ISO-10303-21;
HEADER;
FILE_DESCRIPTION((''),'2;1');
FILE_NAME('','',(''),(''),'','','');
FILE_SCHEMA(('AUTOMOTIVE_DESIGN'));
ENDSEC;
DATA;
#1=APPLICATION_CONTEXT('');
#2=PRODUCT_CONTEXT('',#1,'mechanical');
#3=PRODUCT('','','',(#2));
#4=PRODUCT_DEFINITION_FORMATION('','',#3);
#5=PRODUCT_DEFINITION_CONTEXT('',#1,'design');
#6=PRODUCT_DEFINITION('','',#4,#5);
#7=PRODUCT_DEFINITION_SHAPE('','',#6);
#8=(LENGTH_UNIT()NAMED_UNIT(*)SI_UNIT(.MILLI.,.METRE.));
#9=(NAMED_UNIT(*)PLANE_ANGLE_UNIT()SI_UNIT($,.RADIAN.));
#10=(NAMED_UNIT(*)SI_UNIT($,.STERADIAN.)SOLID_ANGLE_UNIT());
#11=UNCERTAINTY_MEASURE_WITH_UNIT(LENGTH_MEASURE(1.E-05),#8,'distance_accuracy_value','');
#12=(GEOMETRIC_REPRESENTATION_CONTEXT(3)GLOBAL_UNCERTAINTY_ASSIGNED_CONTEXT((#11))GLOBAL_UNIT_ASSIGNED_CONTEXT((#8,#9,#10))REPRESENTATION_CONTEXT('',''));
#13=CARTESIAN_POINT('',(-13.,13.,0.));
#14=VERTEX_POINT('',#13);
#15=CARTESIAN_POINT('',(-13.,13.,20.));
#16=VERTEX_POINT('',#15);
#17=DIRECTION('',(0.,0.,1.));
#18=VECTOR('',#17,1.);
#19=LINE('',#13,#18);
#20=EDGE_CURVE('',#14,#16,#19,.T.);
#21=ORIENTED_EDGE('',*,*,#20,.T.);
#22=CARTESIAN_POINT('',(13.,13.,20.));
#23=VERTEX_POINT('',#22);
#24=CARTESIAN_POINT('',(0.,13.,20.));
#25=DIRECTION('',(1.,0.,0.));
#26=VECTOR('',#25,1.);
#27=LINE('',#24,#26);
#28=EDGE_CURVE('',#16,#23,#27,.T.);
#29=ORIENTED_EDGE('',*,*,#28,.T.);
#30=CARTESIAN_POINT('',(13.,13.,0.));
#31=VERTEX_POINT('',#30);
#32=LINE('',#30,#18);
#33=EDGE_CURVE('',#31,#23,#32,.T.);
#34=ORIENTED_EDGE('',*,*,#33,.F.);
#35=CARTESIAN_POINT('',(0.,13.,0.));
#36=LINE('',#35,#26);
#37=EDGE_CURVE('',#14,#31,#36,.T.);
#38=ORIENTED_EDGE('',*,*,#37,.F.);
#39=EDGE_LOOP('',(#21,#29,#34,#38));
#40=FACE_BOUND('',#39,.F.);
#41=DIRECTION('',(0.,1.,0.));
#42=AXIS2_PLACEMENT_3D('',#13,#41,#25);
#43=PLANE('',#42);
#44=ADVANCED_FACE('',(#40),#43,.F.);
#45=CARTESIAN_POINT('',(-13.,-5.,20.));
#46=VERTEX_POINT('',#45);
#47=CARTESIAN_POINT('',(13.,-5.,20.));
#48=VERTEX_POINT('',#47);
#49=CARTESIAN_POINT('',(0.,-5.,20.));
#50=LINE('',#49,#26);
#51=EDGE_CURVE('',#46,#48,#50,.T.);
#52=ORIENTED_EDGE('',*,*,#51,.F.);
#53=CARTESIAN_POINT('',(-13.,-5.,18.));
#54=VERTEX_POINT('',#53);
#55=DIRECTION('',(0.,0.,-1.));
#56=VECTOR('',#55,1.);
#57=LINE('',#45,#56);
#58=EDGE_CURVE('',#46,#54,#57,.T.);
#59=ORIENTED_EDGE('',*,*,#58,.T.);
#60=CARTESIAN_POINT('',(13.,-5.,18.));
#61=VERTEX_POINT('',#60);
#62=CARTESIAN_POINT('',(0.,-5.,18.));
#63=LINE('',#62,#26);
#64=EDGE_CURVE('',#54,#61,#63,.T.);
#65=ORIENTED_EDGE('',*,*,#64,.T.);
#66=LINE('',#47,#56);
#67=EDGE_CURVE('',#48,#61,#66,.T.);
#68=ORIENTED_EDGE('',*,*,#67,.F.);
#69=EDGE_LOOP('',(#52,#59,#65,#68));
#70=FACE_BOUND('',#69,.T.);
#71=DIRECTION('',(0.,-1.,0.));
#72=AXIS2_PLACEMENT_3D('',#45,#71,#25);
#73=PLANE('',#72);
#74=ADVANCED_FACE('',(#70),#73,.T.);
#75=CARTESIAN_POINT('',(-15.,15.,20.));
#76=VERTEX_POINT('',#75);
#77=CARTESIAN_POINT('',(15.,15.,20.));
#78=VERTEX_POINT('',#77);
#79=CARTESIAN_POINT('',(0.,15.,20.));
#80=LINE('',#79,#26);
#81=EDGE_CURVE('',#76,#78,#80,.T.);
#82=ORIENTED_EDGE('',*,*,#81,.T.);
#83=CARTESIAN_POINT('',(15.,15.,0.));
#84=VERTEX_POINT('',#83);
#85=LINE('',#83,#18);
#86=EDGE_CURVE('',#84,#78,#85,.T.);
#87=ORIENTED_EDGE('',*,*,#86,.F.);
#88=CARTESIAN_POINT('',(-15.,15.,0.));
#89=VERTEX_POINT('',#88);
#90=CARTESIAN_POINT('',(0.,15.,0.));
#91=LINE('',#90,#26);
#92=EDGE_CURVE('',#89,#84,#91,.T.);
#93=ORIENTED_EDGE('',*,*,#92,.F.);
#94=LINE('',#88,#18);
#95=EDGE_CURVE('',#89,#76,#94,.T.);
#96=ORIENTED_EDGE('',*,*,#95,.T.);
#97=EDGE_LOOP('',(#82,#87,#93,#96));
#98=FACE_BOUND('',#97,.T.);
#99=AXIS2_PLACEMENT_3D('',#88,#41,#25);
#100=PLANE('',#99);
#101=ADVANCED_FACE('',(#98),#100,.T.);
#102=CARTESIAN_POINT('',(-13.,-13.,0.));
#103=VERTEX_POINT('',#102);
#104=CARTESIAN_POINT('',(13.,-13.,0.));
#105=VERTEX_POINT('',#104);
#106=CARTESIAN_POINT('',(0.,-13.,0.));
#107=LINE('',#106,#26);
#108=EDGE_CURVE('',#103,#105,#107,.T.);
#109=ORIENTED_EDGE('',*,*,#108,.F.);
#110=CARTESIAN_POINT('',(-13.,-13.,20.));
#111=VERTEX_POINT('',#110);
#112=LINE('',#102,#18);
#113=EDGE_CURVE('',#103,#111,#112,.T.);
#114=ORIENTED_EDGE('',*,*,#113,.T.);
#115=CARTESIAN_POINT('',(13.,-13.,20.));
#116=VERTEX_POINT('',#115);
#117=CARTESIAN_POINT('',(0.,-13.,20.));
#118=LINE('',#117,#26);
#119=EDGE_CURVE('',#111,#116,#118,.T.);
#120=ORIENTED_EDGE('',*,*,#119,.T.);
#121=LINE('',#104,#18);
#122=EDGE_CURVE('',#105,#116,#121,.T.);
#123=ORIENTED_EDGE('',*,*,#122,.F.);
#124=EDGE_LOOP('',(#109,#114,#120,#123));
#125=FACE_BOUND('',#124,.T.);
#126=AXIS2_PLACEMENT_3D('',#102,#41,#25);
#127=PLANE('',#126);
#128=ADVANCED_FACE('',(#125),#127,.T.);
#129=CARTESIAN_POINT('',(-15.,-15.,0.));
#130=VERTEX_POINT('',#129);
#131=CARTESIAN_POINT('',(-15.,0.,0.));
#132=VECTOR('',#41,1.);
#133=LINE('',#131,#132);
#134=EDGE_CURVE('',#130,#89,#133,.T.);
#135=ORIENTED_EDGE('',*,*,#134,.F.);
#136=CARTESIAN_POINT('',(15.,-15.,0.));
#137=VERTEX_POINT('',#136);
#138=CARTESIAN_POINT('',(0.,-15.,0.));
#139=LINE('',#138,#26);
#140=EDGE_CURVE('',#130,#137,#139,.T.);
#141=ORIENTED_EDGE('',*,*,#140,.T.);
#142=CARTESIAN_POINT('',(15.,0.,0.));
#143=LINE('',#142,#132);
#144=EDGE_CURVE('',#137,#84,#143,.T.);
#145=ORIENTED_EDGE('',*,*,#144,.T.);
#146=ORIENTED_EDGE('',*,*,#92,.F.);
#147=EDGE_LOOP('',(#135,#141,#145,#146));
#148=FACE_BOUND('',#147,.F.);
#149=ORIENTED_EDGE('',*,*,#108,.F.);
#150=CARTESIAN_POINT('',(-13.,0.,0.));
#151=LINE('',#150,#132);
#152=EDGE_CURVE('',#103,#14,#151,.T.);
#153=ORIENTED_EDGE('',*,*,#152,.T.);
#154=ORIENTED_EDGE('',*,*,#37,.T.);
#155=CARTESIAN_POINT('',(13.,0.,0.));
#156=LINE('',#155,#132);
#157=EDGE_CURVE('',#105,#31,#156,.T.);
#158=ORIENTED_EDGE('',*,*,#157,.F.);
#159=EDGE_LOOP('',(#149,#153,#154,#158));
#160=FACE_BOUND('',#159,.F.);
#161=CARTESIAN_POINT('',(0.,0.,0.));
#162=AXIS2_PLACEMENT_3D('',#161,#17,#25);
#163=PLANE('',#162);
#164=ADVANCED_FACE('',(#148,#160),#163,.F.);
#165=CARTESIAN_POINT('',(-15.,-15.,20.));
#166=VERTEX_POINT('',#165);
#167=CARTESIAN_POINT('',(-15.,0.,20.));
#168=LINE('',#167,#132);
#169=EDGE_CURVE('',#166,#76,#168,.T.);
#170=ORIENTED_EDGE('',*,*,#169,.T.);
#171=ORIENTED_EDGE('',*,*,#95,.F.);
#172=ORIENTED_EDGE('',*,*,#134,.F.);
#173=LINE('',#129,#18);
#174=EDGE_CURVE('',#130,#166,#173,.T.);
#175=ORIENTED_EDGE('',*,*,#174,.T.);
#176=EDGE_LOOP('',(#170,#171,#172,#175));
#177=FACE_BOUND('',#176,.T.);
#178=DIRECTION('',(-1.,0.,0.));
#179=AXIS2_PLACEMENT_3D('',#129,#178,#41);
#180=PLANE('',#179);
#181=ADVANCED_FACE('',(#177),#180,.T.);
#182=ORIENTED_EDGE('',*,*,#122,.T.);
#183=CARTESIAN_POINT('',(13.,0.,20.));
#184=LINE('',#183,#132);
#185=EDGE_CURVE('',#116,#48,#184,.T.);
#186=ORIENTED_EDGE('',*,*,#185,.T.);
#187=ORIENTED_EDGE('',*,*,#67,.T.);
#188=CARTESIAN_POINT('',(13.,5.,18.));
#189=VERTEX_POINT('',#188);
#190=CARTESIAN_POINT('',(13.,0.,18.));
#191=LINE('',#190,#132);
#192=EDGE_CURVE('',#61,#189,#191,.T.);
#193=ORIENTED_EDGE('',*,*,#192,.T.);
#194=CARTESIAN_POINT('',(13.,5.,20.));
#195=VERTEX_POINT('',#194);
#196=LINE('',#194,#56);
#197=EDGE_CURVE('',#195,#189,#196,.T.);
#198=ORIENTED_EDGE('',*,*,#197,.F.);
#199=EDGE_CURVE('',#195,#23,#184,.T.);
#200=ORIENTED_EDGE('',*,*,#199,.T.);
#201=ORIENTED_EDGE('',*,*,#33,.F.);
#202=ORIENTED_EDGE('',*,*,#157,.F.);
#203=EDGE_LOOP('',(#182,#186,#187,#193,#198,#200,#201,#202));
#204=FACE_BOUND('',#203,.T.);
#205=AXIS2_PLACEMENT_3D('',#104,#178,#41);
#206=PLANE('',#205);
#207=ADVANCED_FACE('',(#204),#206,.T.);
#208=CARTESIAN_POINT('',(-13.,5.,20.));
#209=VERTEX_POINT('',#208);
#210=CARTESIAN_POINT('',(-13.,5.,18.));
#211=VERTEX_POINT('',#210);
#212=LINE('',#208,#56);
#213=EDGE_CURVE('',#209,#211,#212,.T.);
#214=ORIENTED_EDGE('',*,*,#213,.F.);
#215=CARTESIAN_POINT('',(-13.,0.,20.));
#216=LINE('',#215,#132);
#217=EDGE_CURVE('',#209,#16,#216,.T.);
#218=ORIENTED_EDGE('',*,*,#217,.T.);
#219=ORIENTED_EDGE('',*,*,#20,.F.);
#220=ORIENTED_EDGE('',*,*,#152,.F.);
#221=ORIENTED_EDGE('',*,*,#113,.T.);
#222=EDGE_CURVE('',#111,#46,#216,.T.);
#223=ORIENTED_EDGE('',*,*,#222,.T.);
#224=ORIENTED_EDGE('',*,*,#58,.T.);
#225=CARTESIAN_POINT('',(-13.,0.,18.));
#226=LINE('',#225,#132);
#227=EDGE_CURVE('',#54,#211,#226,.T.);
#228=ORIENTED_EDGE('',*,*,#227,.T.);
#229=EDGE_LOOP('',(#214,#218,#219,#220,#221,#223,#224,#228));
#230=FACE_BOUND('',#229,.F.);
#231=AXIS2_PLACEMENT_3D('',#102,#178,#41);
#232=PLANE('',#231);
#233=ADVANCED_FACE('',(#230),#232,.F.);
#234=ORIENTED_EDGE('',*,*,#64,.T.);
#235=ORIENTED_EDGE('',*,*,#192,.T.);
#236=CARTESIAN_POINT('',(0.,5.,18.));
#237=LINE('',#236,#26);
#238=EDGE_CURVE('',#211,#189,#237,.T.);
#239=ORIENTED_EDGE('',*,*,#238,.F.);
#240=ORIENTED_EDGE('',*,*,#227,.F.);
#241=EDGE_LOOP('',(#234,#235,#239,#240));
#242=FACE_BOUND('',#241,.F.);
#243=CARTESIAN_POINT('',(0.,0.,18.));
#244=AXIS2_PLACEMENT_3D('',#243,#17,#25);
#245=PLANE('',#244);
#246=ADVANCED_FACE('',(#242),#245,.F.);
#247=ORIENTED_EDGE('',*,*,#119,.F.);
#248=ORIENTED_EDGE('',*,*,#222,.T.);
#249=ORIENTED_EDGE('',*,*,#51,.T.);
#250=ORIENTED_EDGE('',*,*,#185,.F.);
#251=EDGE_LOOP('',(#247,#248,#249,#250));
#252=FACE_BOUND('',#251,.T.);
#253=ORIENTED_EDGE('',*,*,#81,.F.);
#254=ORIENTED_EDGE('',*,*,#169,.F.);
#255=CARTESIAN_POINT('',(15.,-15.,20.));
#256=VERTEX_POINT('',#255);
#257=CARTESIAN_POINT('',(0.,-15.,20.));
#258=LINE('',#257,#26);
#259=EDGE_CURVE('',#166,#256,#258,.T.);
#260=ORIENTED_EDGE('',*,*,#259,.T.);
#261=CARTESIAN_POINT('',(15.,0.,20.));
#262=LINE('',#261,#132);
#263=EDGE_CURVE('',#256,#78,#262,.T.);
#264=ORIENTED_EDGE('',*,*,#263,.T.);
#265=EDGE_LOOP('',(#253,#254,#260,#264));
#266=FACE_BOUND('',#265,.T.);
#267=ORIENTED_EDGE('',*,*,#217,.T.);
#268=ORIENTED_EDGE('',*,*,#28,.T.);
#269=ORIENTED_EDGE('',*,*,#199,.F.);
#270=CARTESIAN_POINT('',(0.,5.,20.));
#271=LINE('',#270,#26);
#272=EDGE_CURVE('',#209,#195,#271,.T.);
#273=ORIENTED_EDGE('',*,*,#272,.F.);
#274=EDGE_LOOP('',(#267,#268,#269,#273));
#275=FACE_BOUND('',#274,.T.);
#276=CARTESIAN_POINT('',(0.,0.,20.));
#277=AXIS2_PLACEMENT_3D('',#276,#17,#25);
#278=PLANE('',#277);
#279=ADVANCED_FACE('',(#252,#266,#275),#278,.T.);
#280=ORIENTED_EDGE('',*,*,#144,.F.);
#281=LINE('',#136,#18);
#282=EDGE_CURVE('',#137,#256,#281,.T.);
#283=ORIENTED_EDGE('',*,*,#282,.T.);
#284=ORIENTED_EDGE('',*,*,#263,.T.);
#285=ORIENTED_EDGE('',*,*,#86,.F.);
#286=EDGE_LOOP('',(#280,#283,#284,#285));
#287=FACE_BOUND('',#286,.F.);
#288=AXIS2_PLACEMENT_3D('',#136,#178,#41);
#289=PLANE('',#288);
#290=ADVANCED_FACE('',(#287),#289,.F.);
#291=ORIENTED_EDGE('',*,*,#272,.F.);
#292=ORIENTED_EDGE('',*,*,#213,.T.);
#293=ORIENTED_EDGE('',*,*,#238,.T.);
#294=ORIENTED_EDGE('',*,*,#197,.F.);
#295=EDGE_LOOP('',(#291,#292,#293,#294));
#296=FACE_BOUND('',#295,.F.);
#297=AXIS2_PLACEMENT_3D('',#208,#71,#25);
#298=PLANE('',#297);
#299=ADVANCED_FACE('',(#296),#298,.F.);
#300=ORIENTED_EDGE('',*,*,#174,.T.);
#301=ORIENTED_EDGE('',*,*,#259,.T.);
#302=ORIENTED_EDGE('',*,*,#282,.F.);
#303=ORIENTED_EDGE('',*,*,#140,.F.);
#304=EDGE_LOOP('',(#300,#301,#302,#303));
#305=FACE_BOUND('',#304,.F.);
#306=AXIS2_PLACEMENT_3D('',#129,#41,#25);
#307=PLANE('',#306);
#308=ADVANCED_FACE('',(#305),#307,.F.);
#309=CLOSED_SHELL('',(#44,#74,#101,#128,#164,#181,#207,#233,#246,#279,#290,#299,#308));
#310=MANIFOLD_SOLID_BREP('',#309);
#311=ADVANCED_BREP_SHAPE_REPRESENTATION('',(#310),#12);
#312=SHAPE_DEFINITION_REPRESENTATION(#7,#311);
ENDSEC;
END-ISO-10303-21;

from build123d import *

# Parameters (mm, degrees)
F0_W     = 30
F0_H     = 30
F0_W_2   = 26
F0_H_2   = 26
F1_DEPTH = 20
F2_W     = 26
F2_H     = 10
F3_DEPTH = 2


with BuildPart() as f1:
    # F0 (on Top) → F1 (new body)
    with BuildSketch(Plane.XY):
        Rectangle(F0_W, F0_H)
        Rectangle(F0_W_2, F0_H_2, mode=Mode.SUBTRACT)
    extrude(amount=F1_DEPTH)

    # F2 (on face) → F3 (join)
    with BuildSketch(Plane.XY.offset(20)):
        Rectangle(F2_W, F2_H)
    extrude(amount=-F3_DEPTH)


solid = f1.part
